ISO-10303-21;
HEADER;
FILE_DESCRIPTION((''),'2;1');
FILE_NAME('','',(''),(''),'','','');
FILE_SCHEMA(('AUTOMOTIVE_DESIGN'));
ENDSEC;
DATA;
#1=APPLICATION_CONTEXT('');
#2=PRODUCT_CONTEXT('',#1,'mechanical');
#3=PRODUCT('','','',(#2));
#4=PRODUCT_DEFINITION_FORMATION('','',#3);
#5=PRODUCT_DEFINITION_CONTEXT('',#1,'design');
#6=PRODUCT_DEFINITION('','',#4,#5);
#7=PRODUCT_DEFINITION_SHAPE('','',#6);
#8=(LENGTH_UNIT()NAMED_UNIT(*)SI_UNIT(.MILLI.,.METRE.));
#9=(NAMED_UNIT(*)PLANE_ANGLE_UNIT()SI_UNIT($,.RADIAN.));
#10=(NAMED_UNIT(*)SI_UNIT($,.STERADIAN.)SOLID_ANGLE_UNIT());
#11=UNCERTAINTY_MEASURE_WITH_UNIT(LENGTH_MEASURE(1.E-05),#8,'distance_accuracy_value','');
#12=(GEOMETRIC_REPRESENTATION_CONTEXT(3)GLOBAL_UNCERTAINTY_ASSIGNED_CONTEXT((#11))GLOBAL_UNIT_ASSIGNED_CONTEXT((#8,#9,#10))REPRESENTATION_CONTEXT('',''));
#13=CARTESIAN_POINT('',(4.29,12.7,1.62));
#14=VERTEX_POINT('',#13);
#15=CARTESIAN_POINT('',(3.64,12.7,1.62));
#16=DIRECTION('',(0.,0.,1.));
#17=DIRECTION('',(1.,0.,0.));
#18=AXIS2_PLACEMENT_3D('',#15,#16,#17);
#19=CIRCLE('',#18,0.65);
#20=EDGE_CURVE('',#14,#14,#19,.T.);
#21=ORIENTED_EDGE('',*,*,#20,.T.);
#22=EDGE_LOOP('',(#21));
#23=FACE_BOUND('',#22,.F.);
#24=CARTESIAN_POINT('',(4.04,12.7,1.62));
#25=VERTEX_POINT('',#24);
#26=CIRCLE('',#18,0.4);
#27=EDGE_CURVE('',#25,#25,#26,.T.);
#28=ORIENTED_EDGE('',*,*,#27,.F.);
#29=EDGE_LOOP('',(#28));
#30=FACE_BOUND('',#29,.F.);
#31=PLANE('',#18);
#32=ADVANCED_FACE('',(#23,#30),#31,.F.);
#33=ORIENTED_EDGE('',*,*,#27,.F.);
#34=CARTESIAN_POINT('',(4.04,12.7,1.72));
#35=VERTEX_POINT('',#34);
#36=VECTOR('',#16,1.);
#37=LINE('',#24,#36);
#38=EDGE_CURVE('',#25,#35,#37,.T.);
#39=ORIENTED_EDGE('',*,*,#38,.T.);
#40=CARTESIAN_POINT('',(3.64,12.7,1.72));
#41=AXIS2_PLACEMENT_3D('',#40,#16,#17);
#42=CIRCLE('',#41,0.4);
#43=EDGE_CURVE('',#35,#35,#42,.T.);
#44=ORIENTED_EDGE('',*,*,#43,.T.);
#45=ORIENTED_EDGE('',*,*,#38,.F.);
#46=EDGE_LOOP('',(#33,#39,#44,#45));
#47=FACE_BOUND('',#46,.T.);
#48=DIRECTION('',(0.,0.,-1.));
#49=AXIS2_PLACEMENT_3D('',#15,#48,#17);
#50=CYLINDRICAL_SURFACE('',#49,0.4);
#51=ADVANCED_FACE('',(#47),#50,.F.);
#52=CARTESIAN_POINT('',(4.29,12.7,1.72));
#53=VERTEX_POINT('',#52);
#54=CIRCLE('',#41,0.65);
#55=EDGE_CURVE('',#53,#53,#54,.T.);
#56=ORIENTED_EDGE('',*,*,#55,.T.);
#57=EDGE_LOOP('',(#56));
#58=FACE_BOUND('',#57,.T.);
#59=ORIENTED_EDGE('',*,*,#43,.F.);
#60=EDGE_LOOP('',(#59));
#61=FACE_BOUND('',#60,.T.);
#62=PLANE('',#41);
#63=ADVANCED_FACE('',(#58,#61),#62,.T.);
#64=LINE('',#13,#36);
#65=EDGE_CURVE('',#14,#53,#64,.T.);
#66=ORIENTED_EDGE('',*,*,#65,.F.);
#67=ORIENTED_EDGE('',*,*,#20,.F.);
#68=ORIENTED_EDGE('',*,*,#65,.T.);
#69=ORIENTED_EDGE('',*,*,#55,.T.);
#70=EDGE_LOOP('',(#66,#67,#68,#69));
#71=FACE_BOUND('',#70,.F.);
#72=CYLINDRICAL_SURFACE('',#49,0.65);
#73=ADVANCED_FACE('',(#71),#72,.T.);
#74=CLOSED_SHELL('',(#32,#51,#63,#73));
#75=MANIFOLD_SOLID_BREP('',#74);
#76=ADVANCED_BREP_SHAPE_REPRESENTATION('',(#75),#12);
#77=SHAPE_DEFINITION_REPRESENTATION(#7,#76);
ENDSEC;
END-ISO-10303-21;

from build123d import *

# Parameters (mm, degrees)
CYLINDER007_R     = 0.4
CYLINDER007_DEPTH = 0.1
CYLINDER006_R     = 0.65
CYLINDER006_DEPTH = 0.1


with BuildPart() as cylinder007:
    # Cylinder007 → Cylinder007 (new body)
    with BuildSketch(Plane.XY.offset(1.62)):
        Circle(CYLINDER007_R)
    extrude(amount=CYLINDER007_DEPTH)


with BuildPart() as cut006:
    # Cylinder006 → Cylinder006 (new body)
    with BuildSketch(Plane.XY.offset(1.62)):
        Circle(CYLINDER006_R)
    extrude(amount=CYLINDER006_DEPTH)

    # Cut006: cut Cylinder007
    add(cylinder007.part, mode=Mode.SUBTRACT)


with BuildPart() as cut006_1:
    # Cut006 placement: moved
    add(cut006.part.moved(Location((3.64, 12.7, 0))))


solid = cut006_1.part
